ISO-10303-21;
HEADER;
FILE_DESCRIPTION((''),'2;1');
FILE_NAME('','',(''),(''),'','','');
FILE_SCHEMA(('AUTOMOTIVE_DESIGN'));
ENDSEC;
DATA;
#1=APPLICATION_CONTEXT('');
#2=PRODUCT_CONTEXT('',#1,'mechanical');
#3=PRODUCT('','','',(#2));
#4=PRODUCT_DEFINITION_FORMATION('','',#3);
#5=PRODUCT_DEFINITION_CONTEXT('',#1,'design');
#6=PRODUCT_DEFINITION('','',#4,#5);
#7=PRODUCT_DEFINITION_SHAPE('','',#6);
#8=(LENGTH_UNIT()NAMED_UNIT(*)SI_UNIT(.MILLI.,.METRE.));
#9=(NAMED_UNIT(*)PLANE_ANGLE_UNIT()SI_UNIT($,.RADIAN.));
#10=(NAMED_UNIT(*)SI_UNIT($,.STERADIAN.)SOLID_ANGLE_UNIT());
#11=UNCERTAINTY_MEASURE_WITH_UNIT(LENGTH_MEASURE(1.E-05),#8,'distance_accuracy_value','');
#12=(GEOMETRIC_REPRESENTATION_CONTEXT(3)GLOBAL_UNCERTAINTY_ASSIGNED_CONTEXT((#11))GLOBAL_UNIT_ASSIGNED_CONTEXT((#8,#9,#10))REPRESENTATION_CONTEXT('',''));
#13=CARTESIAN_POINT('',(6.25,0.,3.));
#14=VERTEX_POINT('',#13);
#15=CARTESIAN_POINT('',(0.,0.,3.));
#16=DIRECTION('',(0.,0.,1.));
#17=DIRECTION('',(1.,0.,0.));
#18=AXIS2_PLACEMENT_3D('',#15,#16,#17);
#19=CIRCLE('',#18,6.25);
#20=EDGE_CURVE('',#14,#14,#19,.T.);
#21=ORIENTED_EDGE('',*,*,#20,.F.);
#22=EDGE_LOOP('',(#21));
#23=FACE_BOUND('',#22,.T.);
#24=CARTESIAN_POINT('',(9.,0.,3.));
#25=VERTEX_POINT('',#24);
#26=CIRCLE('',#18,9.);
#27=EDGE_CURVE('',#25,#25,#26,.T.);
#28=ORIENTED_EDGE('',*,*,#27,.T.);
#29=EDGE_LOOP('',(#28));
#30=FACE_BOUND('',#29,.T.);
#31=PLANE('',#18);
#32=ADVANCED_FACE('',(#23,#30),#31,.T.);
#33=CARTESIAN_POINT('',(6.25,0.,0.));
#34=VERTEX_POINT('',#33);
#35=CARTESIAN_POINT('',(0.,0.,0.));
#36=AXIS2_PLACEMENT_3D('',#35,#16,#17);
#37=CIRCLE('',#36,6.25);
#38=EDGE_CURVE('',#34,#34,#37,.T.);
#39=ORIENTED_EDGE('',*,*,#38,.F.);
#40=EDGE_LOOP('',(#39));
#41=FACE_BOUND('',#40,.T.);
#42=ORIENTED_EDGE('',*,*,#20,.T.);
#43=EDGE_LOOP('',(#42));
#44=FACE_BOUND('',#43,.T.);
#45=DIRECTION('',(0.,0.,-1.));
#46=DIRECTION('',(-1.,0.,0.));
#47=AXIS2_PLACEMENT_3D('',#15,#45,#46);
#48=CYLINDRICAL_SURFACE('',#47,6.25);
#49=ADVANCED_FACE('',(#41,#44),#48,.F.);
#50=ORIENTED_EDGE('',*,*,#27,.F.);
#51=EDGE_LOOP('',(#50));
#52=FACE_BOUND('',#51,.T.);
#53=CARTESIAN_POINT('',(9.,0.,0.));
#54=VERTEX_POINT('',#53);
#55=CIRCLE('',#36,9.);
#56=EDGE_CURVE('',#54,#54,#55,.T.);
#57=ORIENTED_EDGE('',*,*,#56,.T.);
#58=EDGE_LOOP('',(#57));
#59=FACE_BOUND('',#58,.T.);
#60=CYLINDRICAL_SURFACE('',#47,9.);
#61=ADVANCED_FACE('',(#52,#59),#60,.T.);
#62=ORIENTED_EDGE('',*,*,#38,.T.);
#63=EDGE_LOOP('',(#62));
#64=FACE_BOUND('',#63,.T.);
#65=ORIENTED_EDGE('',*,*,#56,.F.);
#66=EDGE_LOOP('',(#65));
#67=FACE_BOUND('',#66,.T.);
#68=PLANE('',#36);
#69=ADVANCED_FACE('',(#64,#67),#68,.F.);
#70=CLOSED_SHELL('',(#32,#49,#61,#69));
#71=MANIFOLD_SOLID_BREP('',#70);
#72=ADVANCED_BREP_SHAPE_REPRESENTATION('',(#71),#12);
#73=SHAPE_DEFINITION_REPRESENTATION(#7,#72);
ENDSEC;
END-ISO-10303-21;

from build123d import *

# Parameters (mm, degrees)
SKETCH_1_R      = 9
SKETCH_1_R_2    = 6.25
EXTRUDE_1_DEPTH = 3


with BuildPart() as part:
    # 草图1 → 凸台-拉伸1 (new body)
    with BuildSketch(Plane.XY):
        Circle(SKETCH_1_R)
        Circle(SKETCH_1_R_2, mode=Mode.SUBTRACT)
    extrude(amount=EXTRUDE_1_DEPTH)


solid = part.part
